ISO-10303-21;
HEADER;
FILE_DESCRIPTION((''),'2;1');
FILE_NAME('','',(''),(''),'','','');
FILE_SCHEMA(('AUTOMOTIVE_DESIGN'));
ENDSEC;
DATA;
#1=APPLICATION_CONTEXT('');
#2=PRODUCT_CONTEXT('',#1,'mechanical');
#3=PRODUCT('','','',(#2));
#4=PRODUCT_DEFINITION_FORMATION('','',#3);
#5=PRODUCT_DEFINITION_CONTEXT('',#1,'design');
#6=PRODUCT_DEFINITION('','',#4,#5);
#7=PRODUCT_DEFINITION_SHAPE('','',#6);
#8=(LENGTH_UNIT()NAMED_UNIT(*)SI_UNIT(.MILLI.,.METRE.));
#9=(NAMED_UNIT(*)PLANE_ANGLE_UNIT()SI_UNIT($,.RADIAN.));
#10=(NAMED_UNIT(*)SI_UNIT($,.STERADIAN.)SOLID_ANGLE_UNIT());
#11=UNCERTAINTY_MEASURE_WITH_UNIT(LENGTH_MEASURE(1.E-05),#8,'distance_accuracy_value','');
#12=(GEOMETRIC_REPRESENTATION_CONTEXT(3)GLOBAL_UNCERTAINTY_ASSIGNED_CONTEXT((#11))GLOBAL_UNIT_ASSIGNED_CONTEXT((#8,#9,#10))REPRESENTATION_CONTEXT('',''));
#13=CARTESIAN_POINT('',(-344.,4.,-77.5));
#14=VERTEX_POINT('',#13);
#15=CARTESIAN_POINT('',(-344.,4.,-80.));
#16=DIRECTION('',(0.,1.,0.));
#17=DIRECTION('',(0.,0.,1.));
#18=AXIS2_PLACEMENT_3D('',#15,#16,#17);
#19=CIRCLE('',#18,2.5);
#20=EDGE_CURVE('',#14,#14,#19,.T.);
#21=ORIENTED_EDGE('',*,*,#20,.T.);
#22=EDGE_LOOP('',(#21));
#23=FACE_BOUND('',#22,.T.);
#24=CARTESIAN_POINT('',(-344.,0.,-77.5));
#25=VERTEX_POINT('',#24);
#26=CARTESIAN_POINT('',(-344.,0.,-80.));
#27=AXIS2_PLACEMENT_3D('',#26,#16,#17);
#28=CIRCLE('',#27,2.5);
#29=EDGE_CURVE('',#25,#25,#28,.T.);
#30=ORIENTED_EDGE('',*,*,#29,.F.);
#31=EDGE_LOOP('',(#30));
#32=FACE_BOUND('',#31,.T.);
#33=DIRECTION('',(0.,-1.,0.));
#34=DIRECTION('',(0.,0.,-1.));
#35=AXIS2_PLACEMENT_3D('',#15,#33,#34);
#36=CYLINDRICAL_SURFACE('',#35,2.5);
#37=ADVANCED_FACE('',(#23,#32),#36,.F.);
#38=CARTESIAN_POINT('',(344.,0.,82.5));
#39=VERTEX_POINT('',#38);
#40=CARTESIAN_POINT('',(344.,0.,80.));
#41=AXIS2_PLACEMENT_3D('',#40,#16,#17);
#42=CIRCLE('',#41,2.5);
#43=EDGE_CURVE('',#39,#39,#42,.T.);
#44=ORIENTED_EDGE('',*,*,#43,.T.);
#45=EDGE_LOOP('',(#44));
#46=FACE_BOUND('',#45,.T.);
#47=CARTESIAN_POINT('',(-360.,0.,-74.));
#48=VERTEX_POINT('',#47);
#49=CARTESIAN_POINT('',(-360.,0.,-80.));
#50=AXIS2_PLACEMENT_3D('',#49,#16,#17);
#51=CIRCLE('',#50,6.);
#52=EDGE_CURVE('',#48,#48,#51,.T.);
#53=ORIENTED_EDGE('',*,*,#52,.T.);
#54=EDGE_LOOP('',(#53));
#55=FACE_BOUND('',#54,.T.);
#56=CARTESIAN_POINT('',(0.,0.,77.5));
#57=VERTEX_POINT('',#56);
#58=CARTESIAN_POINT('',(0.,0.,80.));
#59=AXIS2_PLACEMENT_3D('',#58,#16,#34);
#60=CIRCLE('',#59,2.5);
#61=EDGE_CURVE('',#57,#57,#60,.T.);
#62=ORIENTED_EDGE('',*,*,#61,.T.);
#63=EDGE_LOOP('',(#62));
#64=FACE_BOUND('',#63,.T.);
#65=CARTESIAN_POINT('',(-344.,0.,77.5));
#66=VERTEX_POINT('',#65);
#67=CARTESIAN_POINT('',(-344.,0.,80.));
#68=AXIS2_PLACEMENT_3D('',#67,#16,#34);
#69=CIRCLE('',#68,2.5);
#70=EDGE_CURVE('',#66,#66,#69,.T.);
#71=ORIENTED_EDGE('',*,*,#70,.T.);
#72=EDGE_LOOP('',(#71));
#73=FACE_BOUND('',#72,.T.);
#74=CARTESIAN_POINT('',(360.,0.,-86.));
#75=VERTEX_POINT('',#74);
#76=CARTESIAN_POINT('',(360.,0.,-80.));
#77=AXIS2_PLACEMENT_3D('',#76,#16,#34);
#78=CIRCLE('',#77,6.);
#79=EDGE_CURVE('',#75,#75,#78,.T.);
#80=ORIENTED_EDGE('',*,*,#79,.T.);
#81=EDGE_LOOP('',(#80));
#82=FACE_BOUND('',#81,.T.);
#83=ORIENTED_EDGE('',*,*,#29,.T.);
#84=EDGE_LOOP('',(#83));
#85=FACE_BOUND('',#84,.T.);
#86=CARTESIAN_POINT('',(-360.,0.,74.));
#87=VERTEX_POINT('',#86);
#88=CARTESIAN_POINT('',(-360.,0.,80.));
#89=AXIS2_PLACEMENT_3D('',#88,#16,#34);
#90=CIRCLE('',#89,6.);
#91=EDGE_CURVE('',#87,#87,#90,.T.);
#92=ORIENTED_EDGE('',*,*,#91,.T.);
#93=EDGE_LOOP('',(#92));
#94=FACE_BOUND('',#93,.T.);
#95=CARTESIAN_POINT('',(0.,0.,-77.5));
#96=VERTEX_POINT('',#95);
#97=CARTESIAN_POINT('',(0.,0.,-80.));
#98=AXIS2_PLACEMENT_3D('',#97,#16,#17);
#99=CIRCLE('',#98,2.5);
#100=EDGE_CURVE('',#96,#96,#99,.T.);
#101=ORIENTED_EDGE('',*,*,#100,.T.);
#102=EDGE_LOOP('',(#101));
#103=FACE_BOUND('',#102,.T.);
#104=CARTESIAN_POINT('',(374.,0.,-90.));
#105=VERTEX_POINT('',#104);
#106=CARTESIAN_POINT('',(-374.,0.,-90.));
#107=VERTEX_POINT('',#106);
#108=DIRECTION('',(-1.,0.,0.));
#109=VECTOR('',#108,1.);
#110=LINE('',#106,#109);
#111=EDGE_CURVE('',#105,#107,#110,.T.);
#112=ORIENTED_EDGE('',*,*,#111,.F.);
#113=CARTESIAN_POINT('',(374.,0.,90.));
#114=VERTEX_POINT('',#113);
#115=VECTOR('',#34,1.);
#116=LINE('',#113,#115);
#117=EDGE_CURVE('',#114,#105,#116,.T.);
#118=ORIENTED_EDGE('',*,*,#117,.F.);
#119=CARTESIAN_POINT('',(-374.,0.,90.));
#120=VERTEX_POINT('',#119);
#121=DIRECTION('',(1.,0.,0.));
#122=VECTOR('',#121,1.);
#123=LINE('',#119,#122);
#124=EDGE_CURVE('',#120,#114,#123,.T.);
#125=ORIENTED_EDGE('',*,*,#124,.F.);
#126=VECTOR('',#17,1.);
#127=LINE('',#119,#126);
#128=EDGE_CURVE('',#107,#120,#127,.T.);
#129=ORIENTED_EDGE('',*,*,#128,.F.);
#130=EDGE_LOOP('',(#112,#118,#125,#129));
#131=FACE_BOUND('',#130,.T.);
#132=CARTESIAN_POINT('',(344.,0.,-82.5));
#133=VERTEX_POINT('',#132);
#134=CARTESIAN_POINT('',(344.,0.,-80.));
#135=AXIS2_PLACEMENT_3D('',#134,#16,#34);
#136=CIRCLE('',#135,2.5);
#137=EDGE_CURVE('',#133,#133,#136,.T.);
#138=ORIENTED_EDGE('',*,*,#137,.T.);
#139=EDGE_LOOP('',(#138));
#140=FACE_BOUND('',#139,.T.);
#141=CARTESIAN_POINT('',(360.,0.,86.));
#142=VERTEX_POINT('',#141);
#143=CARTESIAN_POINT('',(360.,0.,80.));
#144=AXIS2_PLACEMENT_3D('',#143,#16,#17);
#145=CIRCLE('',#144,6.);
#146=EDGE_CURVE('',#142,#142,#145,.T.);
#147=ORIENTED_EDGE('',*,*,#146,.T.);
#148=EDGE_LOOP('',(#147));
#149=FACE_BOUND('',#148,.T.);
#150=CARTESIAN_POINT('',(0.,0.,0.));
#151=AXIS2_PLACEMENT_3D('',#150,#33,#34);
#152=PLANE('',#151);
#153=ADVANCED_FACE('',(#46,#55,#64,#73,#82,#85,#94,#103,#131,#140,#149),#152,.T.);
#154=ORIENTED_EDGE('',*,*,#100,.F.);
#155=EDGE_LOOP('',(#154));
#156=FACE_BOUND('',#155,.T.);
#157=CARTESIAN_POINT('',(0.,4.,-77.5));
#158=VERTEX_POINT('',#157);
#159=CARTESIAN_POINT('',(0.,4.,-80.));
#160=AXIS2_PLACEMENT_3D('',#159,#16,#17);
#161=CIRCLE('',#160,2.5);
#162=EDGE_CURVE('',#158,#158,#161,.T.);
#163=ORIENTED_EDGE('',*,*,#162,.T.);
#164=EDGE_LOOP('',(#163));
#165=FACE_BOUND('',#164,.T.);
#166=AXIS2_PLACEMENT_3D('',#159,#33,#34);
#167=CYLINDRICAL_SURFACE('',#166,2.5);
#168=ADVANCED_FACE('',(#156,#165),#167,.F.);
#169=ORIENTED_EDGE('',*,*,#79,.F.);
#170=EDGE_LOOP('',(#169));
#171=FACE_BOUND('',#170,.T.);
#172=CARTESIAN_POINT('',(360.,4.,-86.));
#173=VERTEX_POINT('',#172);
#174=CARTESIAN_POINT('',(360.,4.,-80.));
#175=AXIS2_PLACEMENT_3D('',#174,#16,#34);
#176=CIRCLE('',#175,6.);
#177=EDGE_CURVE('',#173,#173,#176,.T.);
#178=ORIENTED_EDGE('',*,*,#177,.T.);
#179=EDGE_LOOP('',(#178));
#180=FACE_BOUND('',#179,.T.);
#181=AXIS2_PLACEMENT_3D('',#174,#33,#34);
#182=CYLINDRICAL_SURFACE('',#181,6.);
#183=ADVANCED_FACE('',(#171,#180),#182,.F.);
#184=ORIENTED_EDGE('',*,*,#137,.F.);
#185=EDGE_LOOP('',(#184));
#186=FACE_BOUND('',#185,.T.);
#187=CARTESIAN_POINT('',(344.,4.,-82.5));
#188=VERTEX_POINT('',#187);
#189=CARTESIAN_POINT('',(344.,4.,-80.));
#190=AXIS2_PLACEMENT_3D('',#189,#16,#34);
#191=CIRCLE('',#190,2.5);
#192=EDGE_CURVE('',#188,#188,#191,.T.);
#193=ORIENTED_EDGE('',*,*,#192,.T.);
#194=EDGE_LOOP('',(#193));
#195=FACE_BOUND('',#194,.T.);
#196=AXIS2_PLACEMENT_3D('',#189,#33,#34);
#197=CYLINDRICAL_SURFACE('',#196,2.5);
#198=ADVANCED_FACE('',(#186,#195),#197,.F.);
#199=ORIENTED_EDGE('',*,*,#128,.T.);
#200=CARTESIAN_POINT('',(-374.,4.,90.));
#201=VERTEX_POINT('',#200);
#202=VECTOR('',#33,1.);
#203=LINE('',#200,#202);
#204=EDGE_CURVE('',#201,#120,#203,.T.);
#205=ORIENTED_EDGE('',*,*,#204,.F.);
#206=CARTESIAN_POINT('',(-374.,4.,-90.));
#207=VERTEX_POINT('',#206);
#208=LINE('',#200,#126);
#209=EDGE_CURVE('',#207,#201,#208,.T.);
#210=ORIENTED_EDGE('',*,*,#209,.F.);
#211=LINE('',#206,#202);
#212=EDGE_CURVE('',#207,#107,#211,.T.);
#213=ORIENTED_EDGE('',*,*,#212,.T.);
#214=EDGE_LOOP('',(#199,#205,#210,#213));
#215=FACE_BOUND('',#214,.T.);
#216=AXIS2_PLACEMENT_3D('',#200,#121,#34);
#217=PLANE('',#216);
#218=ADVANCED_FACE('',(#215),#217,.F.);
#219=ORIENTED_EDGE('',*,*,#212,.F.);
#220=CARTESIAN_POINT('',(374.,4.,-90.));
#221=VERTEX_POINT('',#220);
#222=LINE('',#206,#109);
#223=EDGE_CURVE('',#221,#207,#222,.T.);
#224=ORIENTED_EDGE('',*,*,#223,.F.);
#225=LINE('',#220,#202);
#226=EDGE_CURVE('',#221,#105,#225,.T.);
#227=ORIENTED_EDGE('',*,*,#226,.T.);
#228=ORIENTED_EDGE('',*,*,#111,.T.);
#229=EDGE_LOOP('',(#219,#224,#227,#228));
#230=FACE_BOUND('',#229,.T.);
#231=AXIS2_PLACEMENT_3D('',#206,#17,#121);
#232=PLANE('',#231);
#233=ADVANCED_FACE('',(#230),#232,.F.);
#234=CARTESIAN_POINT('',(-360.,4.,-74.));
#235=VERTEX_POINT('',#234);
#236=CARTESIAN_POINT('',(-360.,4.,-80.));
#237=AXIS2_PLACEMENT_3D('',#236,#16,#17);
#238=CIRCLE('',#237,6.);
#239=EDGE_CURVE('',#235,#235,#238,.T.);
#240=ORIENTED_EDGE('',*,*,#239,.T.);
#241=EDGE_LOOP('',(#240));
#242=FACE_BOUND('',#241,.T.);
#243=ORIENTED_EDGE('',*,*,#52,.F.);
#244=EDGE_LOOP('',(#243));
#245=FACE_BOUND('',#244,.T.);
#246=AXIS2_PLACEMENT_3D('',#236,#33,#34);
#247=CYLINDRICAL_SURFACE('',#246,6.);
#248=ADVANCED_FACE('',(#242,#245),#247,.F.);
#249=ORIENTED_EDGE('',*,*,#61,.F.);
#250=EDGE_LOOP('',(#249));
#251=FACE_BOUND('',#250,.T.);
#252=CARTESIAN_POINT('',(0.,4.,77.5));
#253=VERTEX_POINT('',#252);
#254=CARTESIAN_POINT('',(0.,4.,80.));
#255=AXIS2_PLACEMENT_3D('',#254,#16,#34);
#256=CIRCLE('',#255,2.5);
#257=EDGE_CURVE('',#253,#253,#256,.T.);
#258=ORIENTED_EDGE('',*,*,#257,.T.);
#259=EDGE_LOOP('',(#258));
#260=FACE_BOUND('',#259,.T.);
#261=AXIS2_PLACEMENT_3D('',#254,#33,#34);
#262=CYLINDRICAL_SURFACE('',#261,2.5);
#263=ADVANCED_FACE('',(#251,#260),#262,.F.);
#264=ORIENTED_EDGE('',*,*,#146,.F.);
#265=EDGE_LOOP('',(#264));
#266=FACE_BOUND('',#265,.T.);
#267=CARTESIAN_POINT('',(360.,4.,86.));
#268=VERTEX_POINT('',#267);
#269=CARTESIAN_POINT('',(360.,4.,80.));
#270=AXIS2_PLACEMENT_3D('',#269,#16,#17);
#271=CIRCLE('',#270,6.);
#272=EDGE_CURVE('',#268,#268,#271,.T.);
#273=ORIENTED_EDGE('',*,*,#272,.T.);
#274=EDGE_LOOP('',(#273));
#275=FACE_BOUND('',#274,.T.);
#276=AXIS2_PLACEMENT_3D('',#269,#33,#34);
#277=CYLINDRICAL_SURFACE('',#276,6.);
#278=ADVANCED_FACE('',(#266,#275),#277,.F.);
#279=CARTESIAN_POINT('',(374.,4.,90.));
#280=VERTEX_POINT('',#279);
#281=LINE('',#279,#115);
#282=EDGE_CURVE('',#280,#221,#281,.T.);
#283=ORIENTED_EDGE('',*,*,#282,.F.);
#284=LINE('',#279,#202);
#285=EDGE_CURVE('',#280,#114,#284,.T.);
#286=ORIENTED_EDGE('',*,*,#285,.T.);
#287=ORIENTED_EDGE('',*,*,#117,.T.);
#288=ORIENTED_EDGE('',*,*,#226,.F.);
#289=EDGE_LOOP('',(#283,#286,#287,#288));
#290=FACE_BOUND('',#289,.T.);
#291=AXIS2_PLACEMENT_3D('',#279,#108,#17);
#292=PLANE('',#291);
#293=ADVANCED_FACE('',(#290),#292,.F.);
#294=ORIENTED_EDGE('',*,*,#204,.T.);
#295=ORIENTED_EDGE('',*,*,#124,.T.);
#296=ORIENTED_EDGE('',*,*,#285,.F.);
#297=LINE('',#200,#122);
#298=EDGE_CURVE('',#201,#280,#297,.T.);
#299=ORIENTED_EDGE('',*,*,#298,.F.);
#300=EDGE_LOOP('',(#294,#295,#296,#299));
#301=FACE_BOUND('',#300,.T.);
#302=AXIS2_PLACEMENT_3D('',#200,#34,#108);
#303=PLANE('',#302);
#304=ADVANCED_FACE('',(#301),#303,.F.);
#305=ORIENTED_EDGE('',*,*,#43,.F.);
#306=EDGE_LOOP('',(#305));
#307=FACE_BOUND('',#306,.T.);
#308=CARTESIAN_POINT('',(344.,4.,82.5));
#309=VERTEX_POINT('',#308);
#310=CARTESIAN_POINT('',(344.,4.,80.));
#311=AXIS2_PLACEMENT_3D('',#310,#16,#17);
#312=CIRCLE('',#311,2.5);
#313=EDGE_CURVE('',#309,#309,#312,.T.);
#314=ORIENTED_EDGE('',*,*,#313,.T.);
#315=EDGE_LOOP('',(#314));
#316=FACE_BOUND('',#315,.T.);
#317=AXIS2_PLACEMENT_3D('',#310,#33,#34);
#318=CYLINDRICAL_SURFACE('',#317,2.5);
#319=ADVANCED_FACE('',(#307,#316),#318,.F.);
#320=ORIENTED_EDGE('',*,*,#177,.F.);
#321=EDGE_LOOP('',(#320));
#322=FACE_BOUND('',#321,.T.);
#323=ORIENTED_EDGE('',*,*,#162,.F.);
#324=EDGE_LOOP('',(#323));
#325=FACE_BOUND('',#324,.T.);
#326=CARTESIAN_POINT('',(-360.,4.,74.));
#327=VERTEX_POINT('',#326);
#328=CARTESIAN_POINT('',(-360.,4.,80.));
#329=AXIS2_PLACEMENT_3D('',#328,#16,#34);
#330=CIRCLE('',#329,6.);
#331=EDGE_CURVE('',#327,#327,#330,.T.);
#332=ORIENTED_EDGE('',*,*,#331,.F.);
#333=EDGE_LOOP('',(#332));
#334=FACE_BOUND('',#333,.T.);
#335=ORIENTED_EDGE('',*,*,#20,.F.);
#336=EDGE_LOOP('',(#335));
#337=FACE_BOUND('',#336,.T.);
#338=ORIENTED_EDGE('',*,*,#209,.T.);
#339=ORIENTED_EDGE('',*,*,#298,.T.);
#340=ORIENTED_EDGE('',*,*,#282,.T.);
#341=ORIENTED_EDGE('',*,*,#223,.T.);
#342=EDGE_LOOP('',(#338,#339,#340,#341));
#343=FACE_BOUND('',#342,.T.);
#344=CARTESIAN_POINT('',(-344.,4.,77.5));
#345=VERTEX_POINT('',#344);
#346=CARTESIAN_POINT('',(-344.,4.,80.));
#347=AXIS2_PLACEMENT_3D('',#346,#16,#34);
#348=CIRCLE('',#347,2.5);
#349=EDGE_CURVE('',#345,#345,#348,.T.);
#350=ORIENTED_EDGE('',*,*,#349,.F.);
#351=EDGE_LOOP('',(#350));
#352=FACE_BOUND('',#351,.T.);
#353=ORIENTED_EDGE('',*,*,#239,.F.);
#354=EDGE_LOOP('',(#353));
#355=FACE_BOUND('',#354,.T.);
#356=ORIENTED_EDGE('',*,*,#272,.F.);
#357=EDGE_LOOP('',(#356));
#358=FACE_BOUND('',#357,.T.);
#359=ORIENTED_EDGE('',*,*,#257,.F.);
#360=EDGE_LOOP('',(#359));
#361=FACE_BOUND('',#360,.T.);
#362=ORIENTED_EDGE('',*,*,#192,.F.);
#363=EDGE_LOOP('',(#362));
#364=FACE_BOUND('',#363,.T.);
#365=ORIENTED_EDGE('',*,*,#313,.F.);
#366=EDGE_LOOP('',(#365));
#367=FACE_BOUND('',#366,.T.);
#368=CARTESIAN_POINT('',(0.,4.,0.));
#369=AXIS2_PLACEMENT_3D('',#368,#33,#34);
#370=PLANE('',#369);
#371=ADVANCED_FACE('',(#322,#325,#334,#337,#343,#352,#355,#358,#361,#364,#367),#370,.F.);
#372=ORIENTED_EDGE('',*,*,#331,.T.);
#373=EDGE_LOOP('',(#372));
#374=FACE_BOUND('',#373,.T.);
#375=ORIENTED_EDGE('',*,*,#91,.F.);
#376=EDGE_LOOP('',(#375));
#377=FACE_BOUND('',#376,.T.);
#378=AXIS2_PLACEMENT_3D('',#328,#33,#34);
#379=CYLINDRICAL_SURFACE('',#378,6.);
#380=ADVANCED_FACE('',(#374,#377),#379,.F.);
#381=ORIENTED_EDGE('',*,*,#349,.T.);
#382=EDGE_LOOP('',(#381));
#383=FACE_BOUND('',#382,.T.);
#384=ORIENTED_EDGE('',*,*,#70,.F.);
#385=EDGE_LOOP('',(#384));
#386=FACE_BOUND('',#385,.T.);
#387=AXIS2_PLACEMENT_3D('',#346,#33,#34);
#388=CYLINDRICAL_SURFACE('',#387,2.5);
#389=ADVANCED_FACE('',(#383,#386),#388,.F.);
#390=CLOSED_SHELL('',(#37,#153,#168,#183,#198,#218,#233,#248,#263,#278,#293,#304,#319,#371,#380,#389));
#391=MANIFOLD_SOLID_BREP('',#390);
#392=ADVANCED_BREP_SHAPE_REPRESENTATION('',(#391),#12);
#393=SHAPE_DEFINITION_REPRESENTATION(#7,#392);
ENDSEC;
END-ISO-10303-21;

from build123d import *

# Parameters (mm, degrees)
SKETCH1_W           = 748
SKETCH1_H           = 180
SKETCH1_R           = 2.5
SKETCH1_R_2         = 6
BOSS_EXTRUDE1_DEPTH = 4


with BuildPart() as part:
    # Sketch1 → Boss-Extrude1 (new body)
    with BuildSketch(Plane(origin=(0, 0, 0), x_dir=(1, 0, 0), z_dir=(0, 1, 0))):
        Rectangle(SKETCH1_W, SKETCH1_H)
        with Locations((-344, 80)):
            Circle(SKETCH1_R, mode=Mode.SUBTRACT)
        with Locations((0, 80)):
            Circle(SKETCH1_R, mode=Mode.SUBTRACT)
        with Locations((344, 80)):
            Circle(SKETCH1_R, mode=Mode.SUBTRACT)
        with Locations((-344, -80)):
            Circle(SKETCH1_R, mode=Mode.SUBTRACT)
        with Locations((0, -80)):
            Circle(SKETCH1_R, mode=Mode.SUBTRACT)
        with Locations((344, -80)):
            Circle(SKETCH1_R, mode=Mode.SUBTRACT)
        with Locations((-360, 80)):
            Circle(SKETCH1_R_2, mode=Mode.SUBTRACT)
        with Locations((-360, -80)):
            Circle(SKETCH1_R_2, mode=Mode.SUBTRACT)
        with Locations((360, -80)):
            Circle(SKETCH1_R_2, mode=Mode.SUBTRACT)
        with Locations((360, 80)):
            Circle(SKETCH1_R_2, mode=Mode.SUBTRACT)
    extrude(amount=BOSS_EXTRUDE1_DEPTH)


solid = part.part
